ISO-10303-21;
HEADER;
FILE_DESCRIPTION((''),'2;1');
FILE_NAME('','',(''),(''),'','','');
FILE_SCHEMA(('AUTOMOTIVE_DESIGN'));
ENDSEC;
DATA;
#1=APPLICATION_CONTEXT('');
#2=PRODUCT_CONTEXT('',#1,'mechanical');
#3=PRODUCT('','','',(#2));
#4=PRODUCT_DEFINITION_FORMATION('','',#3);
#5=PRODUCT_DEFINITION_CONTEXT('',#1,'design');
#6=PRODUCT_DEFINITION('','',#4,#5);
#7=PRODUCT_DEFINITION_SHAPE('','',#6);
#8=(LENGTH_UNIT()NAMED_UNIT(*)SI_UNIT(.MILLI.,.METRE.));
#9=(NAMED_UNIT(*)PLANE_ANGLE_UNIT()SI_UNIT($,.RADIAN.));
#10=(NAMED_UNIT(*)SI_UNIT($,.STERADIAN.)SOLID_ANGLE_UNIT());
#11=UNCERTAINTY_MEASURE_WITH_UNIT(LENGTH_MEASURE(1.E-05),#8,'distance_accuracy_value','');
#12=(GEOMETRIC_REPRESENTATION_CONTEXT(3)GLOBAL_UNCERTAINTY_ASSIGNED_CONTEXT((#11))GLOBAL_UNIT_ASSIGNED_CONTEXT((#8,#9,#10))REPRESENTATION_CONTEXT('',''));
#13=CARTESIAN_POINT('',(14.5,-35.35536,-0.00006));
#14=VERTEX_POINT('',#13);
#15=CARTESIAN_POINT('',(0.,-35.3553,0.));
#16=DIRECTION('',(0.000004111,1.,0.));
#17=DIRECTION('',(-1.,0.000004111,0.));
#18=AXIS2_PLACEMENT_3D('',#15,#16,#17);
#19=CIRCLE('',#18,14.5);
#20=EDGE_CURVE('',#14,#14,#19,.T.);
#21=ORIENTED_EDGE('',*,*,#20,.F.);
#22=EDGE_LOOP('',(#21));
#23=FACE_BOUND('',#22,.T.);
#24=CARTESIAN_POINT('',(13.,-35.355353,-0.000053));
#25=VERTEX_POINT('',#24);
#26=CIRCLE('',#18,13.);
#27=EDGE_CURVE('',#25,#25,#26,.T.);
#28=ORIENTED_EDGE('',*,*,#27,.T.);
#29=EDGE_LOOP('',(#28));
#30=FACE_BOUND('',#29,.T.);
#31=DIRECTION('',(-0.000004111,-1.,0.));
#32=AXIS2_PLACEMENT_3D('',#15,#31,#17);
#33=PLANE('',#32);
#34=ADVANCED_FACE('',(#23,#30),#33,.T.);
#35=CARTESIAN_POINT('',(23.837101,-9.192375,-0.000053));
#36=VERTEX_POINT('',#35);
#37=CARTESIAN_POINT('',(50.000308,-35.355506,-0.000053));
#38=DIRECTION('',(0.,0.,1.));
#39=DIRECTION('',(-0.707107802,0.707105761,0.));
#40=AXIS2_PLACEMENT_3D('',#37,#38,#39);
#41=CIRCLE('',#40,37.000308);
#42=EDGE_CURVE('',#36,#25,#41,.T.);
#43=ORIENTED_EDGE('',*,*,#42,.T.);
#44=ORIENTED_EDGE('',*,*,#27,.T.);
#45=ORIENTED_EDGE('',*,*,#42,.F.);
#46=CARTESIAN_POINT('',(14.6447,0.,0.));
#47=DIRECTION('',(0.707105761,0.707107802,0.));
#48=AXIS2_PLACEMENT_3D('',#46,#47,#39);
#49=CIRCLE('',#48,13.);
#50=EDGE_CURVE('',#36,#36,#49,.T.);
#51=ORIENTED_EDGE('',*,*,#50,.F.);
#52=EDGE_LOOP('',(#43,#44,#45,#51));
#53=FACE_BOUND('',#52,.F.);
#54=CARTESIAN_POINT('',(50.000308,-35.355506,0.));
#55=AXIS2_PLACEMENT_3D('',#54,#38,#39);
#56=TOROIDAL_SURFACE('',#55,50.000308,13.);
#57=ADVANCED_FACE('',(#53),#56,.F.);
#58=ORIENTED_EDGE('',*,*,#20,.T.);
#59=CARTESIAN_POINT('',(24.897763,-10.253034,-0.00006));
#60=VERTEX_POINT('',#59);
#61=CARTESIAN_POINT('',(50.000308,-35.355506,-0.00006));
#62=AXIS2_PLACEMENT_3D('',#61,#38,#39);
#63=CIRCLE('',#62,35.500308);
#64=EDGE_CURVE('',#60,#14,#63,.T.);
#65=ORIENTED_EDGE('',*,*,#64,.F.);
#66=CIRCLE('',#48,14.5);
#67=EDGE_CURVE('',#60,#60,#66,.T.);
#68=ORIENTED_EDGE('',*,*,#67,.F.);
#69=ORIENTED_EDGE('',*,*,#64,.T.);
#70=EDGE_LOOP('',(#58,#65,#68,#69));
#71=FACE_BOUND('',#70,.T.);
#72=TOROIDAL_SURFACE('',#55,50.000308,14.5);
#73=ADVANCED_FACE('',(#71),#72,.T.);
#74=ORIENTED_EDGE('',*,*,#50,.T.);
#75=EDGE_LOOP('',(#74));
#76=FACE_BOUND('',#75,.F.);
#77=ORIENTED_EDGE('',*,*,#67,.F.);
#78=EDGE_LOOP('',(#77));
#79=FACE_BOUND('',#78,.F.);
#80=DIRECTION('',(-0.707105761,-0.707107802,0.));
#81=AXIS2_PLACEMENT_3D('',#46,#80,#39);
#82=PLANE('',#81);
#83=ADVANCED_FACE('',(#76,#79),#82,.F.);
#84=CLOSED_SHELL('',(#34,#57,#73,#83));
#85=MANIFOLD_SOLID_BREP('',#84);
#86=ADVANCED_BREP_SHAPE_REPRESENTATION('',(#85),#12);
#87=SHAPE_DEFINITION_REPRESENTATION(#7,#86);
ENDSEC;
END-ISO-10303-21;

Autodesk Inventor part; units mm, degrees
ref_plane "YZ Plane" through (0, 0, 0) normal (1, 0, 0) x (0, 1, 0)
ref_plane "XZ Plane" through (0, 0, 0) normal (0, 1, 0) x (-1, 0, 0)
sketch "Szkic6" plane through (0, 0, 0) normal (0, 0, 1) x (1, 0, 0)
  line L0 (-29.6067, 0) -> (35.2678, 0) construction
  line L1 (0, 42.3419) -> (0, -58.3726) construction
  arc A0 (14.6447, 0) -> (0, -35.3553) centre (50, -35.3553) ccw
  line L2 (0, -35.3553) -> (50, -35.3553) construction
  line L3 (50, -35.3553) -> (3.6611, 10.9836) construction
  line L4 (14.6447, 0) -> (14.6447, 0)
  line L5 (0, -35.3553) -> (0, -35.3553)
  point P0 (0, 0)
  dimension "d24" = 50
  dimension "d31" = 45
  dimension "d36" = 0
  dimension "d37" = 0
ref_plane "Płaszczyzna konstrukcyjna2" through (0, -35.3553, 0) normal (0, -1, 0) x (1, 0, 0)
sketch "Szkic8" plane through (0, -35.3553, 0) normal (0, -1, 0) x (1, 0, 0)
  circle A0 centre (0, 0) radius 14.5
  circle A1 centre (0, 0) radius 13
  dimension "d32" = 29
  dimension "d33" = 1.5
sweep "Przeciągnięcie2" add profiles "Szkic8" path "Szkic6"
equation "\"d32\" = OD"
equation "\"d33\" = THK"
equation "\"d24\" = R"
equation "\"d31\" = KAT"
equation "\"SzerokośćGięciaPodcięcia\" = Grubość"
equation "\"RozmiarPodcięciaNarożnika\" = 4 * Grubość"
equation "\"PromieńPrzejścia\" = PromieńGięcia"
equation "\"Rozmiar_promienia_Jacobiego\" = PromieńGięcia"
equation "\"Wielk_odstępu\" = Grubość"
equation "\"d2\" = PromieńGięcia"
equation "\"d23\" = PromieńGięcia"
equation "\"R\" = 50"
equation "\"OD\" = 29"
equation "\"THK\" = 1.5"
equation "\"KAT\" = 45deg"
equation "\"PROSTKA\" = 0"
equation "\"Grubość\" = 1.5"
equation "\"PromieńGięcia\" = 3"
properties part number "Kolano 45° ø29x1,5 R50" material "304L"
